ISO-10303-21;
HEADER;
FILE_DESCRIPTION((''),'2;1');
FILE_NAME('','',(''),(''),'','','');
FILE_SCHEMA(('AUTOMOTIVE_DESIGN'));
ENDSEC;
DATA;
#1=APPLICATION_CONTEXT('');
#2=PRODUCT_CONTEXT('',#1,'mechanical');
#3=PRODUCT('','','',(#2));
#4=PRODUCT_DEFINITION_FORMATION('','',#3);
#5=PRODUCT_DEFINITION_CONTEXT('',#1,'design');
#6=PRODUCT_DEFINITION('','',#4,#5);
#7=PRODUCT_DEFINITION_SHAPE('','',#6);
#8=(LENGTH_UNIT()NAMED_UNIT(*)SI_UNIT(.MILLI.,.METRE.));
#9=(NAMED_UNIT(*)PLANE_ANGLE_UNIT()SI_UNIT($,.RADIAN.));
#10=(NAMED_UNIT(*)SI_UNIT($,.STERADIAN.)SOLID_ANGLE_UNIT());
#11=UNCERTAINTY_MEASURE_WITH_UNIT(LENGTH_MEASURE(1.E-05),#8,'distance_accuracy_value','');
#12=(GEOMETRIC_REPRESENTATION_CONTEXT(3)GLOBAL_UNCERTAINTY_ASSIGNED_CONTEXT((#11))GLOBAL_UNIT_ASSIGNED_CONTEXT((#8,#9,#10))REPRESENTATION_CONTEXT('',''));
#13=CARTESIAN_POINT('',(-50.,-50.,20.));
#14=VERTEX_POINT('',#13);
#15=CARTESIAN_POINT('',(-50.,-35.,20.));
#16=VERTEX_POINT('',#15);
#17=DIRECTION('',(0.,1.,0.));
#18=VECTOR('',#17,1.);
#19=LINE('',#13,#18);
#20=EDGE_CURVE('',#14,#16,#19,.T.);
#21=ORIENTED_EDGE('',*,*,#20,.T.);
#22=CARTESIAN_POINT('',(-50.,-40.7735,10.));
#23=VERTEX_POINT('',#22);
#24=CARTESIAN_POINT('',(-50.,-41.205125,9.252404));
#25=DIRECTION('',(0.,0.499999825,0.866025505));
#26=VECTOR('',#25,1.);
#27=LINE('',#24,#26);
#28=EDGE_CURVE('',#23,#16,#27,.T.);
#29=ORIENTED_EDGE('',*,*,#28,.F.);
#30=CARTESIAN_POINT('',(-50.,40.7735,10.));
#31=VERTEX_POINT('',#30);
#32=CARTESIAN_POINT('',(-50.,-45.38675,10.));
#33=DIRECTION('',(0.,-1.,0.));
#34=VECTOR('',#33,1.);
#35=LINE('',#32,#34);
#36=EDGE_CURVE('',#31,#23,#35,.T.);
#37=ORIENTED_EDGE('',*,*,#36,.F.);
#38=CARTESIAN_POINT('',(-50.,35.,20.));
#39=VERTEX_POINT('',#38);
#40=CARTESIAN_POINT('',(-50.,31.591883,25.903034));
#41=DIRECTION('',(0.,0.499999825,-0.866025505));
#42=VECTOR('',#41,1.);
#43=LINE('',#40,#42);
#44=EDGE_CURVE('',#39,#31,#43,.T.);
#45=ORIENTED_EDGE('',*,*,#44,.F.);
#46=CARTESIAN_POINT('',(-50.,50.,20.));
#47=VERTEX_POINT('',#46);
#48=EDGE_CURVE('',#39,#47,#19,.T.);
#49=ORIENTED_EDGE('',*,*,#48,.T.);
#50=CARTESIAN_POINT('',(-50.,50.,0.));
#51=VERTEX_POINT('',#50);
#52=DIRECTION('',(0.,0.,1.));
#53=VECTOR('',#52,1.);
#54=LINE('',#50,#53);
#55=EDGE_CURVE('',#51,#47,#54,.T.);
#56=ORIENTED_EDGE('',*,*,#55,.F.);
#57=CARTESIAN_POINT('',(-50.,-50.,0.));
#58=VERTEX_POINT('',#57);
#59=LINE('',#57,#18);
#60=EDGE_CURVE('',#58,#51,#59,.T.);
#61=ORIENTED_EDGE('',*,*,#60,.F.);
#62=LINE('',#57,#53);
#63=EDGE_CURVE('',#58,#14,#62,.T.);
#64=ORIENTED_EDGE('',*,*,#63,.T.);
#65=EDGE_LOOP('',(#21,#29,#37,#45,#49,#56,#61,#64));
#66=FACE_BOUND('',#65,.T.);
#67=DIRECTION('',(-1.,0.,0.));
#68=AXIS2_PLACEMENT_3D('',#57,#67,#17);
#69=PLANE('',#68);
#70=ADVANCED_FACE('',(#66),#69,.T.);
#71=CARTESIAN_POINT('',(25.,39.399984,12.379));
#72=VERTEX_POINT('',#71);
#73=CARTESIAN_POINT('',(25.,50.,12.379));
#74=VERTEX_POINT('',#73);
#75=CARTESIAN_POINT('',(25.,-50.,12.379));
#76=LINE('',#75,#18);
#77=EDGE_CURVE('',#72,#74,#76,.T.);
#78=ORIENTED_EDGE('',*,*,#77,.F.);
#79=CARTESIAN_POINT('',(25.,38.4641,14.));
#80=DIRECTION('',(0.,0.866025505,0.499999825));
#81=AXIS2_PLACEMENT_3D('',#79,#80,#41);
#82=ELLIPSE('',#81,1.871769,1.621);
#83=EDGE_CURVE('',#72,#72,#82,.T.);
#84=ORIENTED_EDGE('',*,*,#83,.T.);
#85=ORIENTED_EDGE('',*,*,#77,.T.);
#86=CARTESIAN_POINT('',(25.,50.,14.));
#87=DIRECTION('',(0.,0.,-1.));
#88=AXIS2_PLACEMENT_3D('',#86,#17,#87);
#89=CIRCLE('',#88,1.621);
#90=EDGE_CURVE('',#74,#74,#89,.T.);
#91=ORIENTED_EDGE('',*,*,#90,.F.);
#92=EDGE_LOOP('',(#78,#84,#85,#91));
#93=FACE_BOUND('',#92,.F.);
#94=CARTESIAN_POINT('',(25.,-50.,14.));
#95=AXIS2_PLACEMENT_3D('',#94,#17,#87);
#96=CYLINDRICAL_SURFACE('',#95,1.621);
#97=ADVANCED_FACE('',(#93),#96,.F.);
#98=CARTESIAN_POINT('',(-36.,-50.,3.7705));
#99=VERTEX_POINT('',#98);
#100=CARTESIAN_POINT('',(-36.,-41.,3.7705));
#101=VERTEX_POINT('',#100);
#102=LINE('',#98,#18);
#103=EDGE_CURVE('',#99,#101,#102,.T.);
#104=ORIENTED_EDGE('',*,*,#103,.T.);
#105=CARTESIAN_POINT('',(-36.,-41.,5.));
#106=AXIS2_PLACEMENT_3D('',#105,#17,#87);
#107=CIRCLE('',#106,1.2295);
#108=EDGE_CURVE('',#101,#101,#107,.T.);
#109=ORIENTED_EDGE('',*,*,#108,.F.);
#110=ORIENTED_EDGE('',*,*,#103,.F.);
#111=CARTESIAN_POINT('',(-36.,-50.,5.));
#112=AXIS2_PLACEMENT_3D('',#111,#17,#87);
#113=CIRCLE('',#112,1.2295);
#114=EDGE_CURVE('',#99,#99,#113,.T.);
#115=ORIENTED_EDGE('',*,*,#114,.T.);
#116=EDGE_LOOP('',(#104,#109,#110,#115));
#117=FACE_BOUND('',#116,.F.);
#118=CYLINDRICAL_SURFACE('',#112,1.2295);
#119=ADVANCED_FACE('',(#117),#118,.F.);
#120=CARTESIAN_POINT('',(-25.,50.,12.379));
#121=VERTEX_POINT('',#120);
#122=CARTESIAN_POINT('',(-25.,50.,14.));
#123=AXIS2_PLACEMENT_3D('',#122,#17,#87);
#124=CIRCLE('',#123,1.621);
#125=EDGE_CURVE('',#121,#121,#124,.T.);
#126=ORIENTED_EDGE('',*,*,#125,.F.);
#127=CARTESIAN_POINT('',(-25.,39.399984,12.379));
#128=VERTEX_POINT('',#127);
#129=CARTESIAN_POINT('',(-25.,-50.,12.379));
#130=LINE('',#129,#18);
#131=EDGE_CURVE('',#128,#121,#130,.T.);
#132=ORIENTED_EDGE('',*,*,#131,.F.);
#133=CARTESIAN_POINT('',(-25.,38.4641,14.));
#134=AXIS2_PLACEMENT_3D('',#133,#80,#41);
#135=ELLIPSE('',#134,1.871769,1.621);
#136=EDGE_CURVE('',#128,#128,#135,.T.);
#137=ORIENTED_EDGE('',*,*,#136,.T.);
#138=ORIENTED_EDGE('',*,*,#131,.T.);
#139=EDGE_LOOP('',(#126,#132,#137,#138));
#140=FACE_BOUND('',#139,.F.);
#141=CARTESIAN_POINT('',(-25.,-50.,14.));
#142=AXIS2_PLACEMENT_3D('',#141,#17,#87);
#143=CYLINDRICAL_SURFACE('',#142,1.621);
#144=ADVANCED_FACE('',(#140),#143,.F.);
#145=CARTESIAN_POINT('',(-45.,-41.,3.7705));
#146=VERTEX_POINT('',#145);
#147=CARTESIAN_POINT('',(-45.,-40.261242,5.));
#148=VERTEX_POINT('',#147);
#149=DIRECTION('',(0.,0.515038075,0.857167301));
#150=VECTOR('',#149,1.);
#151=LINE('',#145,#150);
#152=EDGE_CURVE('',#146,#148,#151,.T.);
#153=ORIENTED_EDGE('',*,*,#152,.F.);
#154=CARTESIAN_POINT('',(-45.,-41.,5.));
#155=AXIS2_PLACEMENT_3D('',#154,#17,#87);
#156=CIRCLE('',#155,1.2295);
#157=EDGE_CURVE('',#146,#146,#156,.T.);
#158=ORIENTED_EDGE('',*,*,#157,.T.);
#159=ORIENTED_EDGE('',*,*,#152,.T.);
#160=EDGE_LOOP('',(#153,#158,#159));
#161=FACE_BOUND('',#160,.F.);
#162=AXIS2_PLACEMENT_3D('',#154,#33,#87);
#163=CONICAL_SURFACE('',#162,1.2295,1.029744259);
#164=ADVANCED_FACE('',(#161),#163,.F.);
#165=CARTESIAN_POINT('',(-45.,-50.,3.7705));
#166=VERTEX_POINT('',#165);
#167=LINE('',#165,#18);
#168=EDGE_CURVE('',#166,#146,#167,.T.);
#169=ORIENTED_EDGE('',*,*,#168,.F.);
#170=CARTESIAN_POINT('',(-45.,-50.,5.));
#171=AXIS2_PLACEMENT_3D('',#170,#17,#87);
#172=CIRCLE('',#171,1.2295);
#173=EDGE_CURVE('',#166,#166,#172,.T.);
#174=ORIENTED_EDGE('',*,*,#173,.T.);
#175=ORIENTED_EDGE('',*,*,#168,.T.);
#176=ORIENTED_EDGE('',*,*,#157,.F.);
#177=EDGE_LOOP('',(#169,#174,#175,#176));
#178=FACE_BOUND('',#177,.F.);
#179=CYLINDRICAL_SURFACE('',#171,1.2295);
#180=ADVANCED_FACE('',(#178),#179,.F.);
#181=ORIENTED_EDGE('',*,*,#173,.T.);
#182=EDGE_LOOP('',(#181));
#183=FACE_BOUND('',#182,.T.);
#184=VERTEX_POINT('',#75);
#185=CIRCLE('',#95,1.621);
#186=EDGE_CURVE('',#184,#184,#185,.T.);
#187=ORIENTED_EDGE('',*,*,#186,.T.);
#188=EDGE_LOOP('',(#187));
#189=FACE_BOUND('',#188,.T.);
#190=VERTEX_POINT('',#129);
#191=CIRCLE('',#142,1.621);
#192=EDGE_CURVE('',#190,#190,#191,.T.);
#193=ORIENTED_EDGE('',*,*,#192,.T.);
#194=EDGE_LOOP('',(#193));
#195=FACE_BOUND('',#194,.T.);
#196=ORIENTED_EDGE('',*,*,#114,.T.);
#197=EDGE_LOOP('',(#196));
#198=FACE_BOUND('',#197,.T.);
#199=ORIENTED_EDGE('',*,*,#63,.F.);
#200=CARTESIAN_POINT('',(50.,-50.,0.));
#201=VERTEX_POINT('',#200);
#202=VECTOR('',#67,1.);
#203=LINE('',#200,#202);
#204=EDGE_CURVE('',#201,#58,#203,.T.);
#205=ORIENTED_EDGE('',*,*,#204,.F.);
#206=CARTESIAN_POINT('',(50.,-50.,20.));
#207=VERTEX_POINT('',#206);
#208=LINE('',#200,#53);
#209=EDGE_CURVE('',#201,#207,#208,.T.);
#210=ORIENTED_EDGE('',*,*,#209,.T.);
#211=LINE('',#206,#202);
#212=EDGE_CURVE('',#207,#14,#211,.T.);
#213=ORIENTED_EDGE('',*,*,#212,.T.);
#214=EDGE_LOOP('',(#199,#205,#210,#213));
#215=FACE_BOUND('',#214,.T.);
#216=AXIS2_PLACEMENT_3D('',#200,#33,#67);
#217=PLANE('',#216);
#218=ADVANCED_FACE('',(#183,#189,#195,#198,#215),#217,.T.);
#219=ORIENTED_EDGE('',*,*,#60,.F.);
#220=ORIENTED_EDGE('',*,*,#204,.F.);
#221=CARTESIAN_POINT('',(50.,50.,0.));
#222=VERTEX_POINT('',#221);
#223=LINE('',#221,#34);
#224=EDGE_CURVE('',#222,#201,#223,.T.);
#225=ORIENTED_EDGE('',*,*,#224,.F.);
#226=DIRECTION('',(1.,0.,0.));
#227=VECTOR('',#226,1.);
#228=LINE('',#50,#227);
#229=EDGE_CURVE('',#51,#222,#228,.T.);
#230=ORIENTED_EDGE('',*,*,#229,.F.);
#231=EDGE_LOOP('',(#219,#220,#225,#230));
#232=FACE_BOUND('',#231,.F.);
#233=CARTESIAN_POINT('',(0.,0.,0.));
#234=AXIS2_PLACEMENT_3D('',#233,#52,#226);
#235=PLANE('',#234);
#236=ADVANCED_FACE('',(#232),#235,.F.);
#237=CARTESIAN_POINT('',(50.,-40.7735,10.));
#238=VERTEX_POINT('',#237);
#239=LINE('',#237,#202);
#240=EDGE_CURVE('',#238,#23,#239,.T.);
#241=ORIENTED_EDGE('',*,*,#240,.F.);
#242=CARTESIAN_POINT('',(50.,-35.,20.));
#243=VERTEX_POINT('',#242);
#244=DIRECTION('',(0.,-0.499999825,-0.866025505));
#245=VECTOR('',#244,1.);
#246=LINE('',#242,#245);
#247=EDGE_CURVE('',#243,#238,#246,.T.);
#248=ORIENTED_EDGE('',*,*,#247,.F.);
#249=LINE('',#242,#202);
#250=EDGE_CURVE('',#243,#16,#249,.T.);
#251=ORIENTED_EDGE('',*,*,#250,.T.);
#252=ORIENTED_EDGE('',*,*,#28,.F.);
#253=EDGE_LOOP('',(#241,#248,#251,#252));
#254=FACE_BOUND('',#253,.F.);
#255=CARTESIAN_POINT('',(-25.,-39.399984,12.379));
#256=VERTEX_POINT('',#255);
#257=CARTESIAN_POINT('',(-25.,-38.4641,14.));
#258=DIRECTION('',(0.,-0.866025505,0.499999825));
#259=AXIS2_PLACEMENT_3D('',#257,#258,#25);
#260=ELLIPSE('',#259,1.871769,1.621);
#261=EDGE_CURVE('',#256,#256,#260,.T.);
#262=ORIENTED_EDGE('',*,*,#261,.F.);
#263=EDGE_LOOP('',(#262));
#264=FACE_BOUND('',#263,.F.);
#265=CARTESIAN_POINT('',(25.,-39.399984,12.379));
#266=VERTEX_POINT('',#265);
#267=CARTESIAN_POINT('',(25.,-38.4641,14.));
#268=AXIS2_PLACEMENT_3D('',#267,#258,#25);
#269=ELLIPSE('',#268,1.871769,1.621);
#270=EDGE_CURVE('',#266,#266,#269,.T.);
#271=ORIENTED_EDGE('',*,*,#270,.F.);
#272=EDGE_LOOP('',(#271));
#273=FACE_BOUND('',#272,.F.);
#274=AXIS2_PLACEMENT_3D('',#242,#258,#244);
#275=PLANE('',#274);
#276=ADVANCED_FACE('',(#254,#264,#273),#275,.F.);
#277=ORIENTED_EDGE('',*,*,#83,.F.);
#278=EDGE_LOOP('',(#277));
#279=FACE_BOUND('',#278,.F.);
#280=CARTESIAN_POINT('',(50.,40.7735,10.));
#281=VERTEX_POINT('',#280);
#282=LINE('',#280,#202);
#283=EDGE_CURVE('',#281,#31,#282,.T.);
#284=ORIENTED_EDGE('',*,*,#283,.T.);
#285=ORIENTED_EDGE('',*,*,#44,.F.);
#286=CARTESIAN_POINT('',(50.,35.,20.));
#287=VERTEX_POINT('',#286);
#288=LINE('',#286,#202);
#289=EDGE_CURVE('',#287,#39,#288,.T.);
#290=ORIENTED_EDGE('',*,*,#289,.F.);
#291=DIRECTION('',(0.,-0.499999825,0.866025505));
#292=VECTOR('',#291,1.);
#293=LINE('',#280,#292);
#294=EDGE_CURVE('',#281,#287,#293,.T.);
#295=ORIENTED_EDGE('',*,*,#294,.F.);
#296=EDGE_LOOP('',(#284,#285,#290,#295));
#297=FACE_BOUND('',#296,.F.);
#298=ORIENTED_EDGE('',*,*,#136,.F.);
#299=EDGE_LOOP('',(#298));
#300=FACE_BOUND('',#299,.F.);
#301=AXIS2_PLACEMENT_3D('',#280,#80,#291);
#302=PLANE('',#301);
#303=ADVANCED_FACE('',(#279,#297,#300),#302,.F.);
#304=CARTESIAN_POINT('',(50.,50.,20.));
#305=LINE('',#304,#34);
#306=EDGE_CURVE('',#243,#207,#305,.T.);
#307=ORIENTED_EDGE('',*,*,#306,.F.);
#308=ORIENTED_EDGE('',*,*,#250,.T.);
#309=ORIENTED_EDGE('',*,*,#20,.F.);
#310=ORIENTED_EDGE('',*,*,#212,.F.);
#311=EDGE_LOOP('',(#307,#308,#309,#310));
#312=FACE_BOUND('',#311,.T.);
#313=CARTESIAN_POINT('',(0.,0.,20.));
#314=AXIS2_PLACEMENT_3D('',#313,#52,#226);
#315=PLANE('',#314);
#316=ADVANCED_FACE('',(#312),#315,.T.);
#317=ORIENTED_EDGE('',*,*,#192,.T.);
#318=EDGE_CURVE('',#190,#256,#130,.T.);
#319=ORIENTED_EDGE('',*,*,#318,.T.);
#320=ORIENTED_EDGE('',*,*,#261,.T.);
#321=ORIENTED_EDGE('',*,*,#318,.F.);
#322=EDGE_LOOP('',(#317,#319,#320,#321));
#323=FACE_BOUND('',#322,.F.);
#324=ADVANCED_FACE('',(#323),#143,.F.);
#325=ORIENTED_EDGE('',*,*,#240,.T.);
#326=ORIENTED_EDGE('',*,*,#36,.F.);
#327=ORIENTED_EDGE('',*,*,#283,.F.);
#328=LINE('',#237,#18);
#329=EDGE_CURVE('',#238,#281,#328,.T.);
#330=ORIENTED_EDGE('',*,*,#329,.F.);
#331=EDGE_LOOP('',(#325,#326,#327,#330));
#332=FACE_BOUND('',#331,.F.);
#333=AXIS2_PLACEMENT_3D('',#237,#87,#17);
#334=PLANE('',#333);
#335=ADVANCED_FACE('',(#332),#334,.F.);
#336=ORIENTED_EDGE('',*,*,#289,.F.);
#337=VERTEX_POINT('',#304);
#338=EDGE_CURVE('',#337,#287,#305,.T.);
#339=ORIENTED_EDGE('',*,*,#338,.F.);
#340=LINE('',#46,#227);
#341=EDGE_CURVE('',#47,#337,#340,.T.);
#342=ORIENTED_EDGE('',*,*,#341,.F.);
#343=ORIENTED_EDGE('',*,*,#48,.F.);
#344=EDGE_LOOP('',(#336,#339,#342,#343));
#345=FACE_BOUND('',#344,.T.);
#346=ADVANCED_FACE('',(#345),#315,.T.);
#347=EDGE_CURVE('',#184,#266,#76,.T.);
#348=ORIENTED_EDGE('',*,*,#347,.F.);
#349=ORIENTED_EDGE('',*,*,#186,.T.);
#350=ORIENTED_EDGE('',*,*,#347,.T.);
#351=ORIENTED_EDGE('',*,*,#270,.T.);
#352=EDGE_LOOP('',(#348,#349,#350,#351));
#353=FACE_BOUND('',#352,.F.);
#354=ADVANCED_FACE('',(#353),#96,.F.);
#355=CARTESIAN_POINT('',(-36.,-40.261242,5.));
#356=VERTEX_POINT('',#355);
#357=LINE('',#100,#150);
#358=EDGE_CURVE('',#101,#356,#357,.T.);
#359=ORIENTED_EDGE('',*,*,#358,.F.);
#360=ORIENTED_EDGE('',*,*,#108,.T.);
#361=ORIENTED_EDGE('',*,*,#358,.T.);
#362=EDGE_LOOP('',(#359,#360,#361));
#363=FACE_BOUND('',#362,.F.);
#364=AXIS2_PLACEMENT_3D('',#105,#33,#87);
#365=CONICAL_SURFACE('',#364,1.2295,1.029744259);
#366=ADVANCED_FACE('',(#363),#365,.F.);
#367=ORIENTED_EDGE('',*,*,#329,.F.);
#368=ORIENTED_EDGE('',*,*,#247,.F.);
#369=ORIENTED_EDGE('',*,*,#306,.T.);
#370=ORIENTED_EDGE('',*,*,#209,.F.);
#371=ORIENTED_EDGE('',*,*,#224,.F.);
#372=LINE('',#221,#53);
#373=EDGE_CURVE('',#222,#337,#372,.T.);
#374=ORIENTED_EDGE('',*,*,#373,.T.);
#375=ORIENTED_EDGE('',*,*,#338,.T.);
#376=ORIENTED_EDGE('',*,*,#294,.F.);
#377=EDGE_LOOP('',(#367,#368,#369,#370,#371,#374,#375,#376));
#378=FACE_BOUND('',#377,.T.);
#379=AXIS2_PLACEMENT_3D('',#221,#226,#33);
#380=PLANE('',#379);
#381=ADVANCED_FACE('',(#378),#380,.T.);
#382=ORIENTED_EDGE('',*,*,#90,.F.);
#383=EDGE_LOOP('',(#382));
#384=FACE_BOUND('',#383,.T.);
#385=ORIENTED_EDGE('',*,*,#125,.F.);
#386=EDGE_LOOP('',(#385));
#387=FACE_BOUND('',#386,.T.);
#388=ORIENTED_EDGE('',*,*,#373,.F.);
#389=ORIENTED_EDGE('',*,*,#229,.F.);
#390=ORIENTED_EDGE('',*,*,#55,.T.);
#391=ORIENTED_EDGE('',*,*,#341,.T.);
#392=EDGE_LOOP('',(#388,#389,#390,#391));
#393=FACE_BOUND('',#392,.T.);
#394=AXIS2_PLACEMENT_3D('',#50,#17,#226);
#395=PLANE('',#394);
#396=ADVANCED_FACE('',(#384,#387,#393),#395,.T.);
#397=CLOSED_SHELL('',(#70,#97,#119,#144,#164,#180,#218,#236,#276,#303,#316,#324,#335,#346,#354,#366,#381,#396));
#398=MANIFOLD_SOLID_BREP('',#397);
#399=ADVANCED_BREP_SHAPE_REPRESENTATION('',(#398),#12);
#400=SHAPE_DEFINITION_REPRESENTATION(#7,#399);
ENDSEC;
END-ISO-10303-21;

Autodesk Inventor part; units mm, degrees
ref_plane "YZ Plane" through (0, 0, 0) normal (1, 0, 0) x (0, 1, 0)
ref_plane "XZ Plane" through (0, 0, 0) normal (0, 1, 0) x (-1, 0, 0)
ref_plane "XY Plane" through (0, 0, 0) normal (0, 0, 1) x (1, 0, 0)
sketch "Sketch1" plane through (0, 0, 0) normal (0, 0, 1) x (1, 0, 0)
  line L0 (-50, 50) -> (50, 50)
  line L1 (50, 50) -> (50, -50)
  line L2 (50, -50) -> (-50, -50)
  line L3 (-50, -50) -> (-50, 50)
  line L4 (0, 0) -> (0, 7.629) construction
  line L5 (0, 0) -> (6.8797, 0) construction
  dimension "d0" = 100
  dimension "d1" = 100
extrude "Extrusion1" add sketch "Sketch1" along normal blind 20
sketch "Sketch2" plane through (50, -50, 0) normal (1, 0, 0) x (0, 0, -1)
  line L0 (-20, 100) -> (-20, 0) projected
  line L1 (-20, 15) -> (-10, 9.2265)
  line L2 (-10, 9.2265) -> (-10, 90.7735)
  line L3 (-10, 90.7735) -> (-20, 85)
  line L4 (0, 0) -> (-20, 0) projected
  line L5 (0, 100) -> (-20, 100) projected
  point P0 (0, 50)
  dimension "d4" = 60
  dimension "d5" = 60
  dimension "d6" = 10
  dimension "d7" = 15
  dimension "d8" = 15
extrude "Extrusion2" cut sketch "Sketch2" against normal blind 118.25
sketch "Sketch3" plane through (-50, -50, 0) normal (0, -1, 0) x (1, 0, 0)
  line L0 (100, 10) -> (0, 10) projected
  line L1 (0, 0) -> (0, 20) projected
  line L2 (0, 20) -> (100, 20) projected
  line L3 (100, 0) -> (100, 20) projected
  point P0 (50, 0)
  point P1 (25, 14)
  point P2 (75, 14)
  dimension "d11" = 25
  dimension "d12" = 6
  dimension "d21" = 25
hole "Hole1" at (-25, -50, 14) at (25, -50, 14) direction (0, 1, 0) diameter 3.242 end through all thread size "M4x0.7" class "6H" standard "ISO Metric profile"
sketch "Sketch4" plane through (-50, -50, 0) normal (0, -1, 0) x (1, 0, 0)
  circle A0 centre (5, 5) radius 1.6 projected
  circle A1 centre (14, 5) radius 1.6 projected
  point P0 (50, 0)
hole "Hole2" at (-45, -50, 5) at (-36, -50, 5) direction (0, 1, 0) diameter 2.459 depth 9 tip angle 118 thread size "M3x0.5" class "6H" standard "ISO Metric profile"
properties part number "3d_LM-Welding_Tooling - Fixed base" material "Aluminium 6061-T6"
